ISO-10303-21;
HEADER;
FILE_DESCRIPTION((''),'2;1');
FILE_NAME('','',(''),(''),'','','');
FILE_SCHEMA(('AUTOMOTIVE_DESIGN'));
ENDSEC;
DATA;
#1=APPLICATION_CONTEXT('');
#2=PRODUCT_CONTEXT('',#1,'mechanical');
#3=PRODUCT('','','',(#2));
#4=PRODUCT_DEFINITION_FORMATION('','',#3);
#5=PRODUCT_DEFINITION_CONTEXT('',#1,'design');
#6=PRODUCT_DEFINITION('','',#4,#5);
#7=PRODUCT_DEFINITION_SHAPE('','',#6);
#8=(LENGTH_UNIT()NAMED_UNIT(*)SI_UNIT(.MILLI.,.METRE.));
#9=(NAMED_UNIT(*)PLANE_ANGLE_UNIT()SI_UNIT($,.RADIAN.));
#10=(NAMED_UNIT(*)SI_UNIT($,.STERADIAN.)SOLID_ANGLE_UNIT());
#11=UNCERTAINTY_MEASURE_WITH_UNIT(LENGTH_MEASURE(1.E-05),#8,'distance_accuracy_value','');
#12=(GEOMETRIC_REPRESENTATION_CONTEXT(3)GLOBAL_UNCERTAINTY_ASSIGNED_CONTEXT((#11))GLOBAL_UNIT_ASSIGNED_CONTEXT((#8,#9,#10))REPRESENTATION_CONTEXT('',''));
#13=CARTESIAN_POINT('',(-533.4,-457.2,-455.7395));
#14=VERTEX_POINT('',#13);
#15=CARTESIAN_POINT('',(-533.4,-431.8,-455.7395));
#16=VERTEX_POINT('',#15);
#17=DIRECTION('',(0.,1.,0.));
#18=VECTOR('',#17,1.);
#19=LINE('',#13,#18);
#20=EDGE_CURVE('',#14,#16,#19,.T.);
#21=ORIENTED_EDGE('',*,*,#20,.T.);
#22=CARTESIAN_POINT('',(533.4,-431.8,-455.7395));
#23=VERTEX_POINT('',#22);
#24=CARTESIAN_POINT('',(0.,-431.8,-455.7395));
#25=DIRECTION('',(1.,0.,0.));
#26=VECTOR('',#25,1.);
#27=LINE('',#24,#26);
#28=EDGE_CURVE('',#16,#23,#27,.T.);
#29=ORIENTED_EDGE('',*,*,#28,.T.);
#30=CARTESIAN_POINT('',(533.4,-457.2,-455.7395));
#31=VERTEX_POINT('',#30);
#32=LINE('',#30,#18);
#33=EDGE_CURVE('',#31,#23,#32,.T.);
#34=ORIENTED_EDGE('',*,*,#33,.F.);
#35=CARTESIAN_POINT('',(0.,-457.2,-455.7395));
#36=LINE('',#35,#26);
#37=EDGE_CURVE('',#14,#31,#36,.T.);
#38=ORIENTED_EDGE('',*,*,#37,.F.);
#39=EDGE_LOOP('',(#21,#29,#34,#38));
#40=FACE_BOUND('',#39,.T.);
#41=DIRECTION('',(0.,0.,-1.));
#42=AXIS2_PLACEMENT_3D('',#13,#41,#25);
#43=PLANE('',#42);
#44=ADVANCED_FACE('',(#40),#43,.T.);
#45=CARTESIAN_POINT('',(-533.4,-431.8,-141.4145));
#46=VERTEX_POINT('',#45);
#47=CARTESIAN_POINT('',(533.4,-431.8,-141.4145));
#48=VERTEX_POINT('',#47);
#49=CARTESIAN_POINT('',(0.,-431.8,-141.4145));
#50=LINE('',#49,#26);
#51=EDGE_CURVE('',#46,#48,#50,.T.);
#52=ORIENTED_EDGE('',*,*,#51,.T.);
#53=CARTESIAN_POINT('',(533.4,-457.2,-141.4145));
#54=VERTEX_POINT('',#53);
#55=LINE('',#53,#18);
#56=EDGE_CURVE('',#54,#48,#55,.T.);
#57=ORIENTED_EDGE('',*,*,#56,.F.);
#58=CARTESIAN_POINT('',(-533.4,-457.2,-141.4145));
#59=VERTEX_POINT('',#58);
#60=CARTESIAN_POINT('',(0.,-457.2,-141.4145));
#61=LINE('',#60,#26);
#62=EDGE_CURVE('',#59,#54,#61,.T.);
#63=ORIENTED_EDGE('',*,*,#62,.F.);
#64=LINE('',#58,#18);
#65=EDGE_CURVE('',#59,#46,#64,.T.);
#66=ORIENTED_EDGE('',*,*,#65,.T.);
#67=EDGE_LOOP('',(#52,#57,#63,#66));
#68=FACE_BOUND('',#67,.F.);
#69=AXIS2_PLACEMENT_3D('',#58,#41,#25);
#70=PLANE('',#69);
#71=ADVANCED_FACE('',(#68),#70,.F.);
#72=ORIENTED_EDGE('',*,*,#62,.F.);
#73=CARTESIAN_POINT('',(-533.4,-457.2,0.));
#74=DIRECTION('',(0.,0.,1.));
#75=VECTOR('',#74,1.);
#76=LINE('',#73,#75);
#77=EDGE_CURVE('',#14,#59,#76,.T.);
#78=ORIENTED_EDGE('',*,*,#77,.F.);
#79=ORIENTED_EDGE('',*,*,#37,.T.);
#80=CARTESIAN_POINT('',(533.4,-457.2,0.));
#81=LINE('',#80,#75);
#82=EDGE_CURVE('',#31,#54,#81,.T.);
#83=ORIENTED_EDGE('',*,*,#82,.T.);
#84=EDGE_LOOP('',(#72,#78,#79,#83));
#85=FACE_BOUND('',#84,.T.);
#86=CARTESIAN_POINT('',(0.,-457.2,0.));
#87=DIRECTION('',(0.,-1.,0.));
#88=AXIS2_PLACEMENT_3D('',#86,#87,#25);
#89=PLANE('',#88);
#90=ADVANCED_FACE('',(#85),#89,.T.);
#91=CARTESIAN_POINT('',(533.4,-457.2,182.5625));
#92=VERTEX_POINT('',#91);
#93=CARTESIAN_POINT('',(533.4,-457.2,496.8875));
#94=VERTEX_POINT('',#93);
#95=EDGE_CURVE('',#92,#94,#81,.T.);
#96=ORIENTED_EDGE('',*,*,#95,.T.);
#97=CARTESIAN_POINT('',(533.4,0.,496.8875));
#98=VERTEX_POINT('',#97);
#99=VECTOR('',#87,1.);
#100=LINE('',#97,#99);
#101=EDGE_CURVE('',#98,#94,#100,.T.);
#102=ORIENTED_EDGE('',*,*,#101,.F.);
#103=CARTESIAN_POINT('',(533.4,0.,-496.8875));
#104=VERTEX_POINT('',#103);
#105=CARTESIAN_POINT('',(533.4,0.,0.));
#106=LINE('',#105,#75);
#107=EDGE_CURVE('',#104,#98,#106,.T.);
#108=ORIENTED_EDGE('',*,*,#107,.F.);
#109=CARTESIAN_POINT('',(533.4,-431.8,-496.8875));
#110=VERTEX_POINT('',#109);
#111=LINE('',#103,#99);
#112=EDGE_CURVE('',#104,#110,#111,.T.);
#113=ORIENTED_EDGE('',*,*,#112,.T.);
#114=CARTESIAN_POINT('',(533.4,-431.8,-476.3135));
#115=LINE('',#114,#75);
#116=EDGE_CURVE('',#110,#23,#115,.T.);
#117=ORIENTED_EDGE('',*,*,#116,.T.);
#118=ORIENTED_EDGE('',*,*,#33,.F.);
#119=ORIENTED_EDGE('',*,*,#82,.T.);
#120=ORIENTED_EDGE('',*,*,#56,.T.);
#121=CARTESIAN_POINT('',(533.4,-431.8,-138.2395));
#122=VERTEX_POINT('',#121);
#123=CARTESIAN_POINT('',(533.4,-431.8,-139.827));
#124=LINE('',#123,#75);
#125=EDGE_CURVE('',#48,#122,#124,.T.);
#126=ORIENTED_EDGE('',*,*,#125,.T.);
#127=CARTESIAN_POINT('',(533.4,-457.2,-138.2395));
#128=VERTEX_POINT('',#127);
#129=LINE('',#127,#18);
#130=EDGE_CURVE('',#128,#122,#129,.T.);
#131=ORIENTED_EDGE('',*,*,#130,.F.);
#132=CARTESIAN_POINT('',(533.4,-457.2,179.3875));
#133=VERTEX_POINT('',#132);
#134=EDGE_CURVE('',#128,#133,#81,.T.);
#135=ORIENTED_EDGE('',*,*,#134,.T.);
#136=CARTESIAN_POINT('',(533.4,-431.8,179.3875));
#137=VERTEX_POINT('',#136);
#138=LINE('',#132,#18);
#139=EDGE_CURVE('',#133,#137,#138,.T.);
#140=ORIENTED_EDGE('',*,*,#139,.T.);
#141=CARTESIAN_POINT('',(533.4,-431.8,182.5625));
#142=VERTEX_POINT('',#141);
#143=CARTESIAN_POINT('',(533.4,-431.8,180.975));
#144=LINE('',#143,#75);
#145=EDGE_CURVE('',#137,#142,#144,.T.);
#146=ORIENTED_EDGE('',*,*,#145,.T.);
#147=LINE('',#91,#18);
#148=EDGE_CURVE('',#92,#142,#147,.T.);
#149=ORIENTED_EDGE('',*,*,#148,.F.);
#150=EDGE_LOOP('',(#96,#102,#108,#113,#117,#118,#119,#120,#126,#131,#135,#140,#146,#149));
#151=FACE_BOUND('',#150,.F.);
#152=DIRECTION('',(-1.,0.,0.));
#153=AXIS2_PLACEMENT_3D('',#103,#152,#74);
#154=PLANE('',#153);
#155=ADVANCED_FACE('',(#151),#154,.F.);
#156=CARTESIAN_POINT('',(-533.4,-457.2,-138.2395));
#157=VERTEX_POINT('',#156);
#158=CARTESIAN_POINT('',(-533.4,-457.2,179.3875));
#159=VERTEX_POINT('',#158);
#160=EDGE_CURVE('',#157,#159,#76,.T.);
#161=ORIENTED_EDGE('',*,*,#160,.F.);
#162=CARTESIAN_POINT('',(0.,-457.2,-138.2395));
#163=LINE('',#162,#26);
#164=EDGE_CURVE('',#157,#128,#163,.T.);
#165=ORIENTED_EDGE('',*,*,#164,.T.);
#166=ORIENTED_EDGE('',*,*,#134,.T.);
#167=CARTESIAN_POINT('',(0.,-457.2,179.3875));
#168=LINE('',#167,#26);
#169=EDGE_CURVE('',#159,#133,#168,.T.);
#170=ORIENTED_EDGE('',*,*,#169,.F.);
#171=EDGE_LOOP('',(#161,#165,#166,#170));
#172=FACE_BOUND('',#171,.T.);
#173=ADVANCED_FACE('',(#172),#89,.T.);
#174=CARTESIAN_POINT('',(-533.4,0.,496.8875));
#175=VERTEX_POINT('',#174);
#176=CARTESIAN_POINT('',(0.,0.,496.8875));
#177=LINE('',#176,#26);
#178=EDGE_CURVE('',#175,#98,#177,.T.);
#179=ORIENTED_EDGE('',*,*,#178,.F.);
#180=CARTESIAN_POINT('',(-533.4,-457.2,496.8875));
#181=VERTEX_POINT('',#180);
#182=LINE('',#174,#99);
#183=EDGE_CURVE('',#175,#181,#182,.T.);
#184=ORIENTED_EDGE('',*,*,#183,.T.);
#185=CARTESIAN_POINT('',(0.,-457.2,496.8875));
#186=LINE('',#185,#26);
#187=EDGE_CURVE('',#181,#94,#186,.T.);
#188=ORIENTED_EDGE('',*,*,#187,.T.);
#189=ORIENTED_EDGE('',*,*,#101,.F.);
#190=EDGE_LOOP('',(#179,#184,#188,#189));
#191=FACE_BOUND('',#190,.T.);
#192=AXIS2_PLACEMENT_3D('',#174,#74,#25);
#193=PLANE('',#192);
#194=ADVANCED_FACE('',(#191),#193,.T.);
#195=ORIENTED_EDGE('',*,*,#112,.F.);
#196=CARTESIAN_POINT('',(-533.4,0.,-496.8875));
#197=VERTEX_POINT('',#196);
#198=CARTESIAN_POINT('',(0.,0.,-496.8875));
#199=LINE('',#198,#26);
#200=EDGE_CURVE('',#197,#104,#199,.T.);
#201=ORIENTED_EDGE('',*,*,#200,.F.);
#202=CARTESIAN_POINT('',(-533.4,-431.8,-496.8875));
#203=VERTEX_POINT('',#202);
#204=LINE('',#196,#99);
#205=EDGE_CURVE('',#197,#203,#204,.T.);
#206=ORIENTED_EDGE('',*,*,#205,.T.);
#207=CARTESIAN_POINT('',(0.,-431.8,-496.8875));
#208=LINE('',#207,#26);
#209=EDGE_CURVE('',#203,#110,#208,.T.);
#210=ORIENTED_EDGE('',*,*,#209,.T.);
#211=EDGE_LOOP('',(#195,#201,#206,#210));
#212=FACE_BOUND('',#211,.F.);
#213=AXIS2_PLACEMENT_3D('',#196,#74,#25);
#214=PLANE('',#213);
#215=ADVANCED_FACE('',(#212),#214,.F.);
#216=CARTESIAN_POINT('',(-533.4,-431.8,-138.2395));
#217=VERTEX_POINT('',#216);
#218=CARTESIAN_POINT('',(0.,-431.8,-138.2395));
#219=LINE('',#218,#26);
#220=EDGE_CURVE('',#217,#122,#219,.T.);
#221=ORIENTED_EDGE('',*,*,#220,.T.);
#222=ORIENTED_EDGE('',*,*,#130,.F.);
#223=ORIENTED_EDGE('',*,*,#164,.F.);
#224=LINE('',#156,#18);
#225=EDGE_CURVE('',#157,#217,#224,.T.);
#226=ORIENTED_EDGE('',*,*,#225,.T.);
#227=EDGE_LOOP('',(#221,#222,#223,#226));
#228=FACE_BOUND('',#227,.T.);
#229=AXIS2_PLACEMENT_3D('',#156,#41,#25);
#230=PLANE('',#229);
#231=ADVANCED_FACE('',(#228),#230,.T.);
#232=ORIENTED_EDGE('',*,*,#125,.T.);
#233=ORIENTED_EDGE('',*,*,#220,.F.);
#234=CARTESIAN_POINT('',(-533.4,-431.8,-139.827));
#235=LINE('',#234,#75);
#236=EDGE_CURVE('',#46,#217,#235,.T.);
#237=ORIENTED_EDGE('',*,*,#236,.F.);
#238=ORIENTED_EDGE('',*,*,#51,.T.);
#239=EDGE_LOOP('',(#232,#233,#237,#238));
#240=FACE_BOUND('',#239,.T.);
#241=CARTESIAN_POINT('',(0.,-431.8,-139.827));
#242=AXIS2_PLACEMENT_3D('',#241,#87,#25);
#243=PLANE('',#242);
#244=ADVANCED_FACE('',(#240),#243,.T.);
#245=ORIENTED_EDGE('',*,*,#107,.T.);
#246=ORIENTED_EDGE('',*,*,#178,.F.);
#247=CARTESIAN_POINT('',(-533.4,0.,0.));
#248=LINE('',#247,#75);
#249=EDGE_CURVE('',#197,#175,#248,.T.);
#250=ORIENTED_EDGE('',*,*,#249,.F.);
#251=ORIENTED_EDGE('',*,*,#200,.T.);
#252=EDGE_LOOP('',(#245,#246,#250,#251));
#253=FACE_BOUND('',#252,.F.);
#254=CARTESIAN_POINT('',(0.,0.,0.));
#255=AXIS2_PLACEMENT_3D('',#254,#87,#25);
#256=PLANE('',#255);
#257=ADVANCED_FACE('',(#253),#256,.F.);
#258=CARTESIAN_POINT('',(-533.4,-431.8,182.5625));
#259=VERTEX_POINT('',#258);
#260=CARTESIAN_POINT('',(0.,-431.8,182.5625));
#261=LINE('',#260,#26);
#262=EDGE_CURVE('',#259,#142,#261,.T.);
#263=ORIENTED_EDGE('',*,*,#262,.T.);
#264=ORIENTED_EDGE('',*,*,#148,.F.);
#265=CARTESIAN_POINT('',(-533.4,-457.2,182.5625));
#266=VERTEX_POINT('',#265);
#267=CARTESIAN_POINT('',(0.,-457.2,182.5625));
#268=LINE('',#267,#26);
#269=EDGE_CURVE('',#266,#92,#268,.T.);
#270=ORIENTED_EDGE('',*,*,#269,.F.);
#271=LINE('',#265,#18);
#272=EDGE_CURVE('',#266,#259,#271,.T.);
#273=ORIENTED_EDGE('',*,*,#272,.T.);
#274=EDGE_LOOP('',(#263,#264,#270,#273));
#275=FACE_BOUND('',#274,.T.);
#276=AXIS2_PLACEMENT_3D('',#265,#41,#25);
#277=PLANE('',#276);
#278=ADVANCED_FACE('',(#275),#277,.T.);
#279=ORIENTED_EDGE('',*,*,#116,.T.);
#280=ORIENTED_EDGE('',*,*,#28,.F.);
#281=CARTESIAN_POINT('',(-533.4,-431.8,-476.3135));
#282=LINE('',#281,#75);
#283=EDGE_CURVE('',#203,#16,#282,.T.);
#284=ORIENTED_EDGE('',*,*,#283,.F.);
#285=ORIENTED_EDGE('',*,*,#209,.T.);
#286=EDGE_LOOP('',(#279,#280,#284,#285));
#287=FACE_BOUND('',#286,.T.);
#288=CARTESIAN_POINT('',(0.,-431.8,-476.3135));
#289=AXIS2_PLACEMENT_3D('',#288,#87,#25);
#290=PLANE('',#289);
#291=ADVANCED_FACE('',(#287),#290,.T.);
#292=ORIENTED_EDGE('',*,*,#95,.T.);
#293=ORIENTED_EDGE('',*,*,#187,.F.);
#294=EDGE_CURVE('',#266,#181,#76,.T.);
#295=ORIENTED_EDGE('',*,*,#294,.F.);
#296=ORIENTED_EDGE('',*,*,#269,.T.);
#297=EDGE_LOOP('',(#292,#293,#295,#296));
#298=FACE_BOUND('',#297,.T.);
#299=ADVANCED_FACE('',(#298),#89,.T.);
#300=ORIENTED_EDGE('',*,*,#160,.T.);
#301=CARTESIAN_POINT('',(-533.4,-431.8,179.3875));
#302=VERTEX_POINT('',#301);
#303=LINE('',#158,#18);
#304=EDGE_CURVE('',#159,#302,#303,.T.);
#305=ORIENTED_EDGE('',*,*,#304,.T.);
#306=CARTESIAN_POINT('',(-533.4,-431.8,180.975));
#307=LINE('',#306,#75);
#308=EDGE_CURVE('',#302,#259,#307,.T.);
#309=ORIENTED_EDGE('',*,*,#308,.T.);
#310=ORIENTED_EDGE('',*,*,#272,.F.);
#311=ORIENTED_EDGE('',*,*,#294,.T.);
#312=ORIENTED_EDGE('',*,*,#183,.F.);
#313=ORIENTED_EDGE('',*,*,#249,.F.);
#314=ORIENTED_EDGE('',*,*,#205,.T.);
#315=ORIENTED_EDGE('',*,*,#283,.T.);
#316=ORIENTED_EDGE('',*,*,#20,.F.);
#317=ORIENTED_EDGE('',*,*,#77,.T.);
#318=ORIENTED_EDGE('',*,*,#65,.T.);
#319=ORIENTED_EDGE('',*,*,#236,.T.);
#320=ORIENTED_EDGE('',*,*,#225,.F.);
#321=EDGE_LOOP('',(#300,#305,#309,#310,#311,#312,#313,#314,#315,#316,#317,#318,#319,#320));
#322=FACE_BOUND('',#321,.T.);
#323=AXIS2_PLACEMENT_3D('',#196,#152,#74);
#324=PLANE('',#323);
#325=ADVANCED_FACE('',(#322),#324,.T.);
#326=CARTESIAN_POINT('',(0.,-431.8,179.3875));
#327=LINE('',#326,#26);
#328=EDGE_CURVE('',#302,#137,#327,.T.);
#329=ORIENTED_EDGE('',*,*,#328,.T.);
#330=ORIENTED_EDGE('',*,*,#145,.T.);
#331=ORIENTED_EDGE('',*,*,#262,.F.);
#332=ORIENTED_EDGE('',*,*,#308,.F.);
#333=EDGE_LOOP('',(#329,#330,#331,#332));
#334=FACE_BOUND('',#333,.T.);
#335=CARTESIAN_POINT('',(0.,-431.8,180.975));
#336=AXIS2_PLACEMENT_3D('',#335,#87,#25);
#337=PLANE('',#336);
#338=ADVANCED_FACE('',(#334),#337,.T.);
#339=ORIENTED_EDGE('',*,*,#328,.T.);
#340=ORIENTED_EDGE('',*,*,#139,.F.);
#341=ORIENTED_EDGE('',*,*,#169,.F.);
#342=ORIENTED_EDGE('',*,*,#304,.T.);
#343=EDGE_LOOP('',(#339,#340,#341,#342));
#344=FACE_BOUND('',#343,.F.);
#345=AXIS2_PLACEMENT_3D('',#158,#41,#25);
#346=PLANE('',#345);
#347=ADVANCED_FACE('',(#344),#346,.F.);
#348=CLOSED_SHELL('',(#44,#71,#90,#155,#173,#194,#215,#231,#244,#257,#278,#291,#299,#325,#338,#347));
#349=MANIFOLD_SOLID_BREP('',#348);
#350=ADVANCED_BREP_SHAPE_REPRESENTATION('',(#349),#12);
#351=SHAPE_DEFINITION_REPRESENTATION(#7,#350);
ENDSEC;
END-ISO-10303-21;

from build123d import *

# Parameters (mm, degrees)
F0_W     = 1066.8
F0_H     = 993.775
F1_DEPTH = 457.2
F2_W     = 1066.8
F2_H     = 3.175
F2_H_2   = 41.148
F3_DEPTH = 25.4


with BuildPart() as f1:
    # F0 (on Front) → F1 (new body)
    with BuildSketch(Plane.XZ):
        Rectangle(F0_W, F0_H)
    extrude(amount=F1_DEPTH)

    # F2 (on face) → F3 (cut)
    with BuildSketch(Plane.XZ.offset(457.2)):
        with Locations((0, 180.975)):
            Rectangle(F2_W, F2_H)
        with Locations((0, -139.827)):
            Rectangle(F2_W, F2_H)
        with Locations((0, -476.3135)):
            Rectangle(F2_W, F2_H_2)
    extrude(amount=-F3_DEPTH, mode=Mode.SUBTRACT)


solid = f1.part
